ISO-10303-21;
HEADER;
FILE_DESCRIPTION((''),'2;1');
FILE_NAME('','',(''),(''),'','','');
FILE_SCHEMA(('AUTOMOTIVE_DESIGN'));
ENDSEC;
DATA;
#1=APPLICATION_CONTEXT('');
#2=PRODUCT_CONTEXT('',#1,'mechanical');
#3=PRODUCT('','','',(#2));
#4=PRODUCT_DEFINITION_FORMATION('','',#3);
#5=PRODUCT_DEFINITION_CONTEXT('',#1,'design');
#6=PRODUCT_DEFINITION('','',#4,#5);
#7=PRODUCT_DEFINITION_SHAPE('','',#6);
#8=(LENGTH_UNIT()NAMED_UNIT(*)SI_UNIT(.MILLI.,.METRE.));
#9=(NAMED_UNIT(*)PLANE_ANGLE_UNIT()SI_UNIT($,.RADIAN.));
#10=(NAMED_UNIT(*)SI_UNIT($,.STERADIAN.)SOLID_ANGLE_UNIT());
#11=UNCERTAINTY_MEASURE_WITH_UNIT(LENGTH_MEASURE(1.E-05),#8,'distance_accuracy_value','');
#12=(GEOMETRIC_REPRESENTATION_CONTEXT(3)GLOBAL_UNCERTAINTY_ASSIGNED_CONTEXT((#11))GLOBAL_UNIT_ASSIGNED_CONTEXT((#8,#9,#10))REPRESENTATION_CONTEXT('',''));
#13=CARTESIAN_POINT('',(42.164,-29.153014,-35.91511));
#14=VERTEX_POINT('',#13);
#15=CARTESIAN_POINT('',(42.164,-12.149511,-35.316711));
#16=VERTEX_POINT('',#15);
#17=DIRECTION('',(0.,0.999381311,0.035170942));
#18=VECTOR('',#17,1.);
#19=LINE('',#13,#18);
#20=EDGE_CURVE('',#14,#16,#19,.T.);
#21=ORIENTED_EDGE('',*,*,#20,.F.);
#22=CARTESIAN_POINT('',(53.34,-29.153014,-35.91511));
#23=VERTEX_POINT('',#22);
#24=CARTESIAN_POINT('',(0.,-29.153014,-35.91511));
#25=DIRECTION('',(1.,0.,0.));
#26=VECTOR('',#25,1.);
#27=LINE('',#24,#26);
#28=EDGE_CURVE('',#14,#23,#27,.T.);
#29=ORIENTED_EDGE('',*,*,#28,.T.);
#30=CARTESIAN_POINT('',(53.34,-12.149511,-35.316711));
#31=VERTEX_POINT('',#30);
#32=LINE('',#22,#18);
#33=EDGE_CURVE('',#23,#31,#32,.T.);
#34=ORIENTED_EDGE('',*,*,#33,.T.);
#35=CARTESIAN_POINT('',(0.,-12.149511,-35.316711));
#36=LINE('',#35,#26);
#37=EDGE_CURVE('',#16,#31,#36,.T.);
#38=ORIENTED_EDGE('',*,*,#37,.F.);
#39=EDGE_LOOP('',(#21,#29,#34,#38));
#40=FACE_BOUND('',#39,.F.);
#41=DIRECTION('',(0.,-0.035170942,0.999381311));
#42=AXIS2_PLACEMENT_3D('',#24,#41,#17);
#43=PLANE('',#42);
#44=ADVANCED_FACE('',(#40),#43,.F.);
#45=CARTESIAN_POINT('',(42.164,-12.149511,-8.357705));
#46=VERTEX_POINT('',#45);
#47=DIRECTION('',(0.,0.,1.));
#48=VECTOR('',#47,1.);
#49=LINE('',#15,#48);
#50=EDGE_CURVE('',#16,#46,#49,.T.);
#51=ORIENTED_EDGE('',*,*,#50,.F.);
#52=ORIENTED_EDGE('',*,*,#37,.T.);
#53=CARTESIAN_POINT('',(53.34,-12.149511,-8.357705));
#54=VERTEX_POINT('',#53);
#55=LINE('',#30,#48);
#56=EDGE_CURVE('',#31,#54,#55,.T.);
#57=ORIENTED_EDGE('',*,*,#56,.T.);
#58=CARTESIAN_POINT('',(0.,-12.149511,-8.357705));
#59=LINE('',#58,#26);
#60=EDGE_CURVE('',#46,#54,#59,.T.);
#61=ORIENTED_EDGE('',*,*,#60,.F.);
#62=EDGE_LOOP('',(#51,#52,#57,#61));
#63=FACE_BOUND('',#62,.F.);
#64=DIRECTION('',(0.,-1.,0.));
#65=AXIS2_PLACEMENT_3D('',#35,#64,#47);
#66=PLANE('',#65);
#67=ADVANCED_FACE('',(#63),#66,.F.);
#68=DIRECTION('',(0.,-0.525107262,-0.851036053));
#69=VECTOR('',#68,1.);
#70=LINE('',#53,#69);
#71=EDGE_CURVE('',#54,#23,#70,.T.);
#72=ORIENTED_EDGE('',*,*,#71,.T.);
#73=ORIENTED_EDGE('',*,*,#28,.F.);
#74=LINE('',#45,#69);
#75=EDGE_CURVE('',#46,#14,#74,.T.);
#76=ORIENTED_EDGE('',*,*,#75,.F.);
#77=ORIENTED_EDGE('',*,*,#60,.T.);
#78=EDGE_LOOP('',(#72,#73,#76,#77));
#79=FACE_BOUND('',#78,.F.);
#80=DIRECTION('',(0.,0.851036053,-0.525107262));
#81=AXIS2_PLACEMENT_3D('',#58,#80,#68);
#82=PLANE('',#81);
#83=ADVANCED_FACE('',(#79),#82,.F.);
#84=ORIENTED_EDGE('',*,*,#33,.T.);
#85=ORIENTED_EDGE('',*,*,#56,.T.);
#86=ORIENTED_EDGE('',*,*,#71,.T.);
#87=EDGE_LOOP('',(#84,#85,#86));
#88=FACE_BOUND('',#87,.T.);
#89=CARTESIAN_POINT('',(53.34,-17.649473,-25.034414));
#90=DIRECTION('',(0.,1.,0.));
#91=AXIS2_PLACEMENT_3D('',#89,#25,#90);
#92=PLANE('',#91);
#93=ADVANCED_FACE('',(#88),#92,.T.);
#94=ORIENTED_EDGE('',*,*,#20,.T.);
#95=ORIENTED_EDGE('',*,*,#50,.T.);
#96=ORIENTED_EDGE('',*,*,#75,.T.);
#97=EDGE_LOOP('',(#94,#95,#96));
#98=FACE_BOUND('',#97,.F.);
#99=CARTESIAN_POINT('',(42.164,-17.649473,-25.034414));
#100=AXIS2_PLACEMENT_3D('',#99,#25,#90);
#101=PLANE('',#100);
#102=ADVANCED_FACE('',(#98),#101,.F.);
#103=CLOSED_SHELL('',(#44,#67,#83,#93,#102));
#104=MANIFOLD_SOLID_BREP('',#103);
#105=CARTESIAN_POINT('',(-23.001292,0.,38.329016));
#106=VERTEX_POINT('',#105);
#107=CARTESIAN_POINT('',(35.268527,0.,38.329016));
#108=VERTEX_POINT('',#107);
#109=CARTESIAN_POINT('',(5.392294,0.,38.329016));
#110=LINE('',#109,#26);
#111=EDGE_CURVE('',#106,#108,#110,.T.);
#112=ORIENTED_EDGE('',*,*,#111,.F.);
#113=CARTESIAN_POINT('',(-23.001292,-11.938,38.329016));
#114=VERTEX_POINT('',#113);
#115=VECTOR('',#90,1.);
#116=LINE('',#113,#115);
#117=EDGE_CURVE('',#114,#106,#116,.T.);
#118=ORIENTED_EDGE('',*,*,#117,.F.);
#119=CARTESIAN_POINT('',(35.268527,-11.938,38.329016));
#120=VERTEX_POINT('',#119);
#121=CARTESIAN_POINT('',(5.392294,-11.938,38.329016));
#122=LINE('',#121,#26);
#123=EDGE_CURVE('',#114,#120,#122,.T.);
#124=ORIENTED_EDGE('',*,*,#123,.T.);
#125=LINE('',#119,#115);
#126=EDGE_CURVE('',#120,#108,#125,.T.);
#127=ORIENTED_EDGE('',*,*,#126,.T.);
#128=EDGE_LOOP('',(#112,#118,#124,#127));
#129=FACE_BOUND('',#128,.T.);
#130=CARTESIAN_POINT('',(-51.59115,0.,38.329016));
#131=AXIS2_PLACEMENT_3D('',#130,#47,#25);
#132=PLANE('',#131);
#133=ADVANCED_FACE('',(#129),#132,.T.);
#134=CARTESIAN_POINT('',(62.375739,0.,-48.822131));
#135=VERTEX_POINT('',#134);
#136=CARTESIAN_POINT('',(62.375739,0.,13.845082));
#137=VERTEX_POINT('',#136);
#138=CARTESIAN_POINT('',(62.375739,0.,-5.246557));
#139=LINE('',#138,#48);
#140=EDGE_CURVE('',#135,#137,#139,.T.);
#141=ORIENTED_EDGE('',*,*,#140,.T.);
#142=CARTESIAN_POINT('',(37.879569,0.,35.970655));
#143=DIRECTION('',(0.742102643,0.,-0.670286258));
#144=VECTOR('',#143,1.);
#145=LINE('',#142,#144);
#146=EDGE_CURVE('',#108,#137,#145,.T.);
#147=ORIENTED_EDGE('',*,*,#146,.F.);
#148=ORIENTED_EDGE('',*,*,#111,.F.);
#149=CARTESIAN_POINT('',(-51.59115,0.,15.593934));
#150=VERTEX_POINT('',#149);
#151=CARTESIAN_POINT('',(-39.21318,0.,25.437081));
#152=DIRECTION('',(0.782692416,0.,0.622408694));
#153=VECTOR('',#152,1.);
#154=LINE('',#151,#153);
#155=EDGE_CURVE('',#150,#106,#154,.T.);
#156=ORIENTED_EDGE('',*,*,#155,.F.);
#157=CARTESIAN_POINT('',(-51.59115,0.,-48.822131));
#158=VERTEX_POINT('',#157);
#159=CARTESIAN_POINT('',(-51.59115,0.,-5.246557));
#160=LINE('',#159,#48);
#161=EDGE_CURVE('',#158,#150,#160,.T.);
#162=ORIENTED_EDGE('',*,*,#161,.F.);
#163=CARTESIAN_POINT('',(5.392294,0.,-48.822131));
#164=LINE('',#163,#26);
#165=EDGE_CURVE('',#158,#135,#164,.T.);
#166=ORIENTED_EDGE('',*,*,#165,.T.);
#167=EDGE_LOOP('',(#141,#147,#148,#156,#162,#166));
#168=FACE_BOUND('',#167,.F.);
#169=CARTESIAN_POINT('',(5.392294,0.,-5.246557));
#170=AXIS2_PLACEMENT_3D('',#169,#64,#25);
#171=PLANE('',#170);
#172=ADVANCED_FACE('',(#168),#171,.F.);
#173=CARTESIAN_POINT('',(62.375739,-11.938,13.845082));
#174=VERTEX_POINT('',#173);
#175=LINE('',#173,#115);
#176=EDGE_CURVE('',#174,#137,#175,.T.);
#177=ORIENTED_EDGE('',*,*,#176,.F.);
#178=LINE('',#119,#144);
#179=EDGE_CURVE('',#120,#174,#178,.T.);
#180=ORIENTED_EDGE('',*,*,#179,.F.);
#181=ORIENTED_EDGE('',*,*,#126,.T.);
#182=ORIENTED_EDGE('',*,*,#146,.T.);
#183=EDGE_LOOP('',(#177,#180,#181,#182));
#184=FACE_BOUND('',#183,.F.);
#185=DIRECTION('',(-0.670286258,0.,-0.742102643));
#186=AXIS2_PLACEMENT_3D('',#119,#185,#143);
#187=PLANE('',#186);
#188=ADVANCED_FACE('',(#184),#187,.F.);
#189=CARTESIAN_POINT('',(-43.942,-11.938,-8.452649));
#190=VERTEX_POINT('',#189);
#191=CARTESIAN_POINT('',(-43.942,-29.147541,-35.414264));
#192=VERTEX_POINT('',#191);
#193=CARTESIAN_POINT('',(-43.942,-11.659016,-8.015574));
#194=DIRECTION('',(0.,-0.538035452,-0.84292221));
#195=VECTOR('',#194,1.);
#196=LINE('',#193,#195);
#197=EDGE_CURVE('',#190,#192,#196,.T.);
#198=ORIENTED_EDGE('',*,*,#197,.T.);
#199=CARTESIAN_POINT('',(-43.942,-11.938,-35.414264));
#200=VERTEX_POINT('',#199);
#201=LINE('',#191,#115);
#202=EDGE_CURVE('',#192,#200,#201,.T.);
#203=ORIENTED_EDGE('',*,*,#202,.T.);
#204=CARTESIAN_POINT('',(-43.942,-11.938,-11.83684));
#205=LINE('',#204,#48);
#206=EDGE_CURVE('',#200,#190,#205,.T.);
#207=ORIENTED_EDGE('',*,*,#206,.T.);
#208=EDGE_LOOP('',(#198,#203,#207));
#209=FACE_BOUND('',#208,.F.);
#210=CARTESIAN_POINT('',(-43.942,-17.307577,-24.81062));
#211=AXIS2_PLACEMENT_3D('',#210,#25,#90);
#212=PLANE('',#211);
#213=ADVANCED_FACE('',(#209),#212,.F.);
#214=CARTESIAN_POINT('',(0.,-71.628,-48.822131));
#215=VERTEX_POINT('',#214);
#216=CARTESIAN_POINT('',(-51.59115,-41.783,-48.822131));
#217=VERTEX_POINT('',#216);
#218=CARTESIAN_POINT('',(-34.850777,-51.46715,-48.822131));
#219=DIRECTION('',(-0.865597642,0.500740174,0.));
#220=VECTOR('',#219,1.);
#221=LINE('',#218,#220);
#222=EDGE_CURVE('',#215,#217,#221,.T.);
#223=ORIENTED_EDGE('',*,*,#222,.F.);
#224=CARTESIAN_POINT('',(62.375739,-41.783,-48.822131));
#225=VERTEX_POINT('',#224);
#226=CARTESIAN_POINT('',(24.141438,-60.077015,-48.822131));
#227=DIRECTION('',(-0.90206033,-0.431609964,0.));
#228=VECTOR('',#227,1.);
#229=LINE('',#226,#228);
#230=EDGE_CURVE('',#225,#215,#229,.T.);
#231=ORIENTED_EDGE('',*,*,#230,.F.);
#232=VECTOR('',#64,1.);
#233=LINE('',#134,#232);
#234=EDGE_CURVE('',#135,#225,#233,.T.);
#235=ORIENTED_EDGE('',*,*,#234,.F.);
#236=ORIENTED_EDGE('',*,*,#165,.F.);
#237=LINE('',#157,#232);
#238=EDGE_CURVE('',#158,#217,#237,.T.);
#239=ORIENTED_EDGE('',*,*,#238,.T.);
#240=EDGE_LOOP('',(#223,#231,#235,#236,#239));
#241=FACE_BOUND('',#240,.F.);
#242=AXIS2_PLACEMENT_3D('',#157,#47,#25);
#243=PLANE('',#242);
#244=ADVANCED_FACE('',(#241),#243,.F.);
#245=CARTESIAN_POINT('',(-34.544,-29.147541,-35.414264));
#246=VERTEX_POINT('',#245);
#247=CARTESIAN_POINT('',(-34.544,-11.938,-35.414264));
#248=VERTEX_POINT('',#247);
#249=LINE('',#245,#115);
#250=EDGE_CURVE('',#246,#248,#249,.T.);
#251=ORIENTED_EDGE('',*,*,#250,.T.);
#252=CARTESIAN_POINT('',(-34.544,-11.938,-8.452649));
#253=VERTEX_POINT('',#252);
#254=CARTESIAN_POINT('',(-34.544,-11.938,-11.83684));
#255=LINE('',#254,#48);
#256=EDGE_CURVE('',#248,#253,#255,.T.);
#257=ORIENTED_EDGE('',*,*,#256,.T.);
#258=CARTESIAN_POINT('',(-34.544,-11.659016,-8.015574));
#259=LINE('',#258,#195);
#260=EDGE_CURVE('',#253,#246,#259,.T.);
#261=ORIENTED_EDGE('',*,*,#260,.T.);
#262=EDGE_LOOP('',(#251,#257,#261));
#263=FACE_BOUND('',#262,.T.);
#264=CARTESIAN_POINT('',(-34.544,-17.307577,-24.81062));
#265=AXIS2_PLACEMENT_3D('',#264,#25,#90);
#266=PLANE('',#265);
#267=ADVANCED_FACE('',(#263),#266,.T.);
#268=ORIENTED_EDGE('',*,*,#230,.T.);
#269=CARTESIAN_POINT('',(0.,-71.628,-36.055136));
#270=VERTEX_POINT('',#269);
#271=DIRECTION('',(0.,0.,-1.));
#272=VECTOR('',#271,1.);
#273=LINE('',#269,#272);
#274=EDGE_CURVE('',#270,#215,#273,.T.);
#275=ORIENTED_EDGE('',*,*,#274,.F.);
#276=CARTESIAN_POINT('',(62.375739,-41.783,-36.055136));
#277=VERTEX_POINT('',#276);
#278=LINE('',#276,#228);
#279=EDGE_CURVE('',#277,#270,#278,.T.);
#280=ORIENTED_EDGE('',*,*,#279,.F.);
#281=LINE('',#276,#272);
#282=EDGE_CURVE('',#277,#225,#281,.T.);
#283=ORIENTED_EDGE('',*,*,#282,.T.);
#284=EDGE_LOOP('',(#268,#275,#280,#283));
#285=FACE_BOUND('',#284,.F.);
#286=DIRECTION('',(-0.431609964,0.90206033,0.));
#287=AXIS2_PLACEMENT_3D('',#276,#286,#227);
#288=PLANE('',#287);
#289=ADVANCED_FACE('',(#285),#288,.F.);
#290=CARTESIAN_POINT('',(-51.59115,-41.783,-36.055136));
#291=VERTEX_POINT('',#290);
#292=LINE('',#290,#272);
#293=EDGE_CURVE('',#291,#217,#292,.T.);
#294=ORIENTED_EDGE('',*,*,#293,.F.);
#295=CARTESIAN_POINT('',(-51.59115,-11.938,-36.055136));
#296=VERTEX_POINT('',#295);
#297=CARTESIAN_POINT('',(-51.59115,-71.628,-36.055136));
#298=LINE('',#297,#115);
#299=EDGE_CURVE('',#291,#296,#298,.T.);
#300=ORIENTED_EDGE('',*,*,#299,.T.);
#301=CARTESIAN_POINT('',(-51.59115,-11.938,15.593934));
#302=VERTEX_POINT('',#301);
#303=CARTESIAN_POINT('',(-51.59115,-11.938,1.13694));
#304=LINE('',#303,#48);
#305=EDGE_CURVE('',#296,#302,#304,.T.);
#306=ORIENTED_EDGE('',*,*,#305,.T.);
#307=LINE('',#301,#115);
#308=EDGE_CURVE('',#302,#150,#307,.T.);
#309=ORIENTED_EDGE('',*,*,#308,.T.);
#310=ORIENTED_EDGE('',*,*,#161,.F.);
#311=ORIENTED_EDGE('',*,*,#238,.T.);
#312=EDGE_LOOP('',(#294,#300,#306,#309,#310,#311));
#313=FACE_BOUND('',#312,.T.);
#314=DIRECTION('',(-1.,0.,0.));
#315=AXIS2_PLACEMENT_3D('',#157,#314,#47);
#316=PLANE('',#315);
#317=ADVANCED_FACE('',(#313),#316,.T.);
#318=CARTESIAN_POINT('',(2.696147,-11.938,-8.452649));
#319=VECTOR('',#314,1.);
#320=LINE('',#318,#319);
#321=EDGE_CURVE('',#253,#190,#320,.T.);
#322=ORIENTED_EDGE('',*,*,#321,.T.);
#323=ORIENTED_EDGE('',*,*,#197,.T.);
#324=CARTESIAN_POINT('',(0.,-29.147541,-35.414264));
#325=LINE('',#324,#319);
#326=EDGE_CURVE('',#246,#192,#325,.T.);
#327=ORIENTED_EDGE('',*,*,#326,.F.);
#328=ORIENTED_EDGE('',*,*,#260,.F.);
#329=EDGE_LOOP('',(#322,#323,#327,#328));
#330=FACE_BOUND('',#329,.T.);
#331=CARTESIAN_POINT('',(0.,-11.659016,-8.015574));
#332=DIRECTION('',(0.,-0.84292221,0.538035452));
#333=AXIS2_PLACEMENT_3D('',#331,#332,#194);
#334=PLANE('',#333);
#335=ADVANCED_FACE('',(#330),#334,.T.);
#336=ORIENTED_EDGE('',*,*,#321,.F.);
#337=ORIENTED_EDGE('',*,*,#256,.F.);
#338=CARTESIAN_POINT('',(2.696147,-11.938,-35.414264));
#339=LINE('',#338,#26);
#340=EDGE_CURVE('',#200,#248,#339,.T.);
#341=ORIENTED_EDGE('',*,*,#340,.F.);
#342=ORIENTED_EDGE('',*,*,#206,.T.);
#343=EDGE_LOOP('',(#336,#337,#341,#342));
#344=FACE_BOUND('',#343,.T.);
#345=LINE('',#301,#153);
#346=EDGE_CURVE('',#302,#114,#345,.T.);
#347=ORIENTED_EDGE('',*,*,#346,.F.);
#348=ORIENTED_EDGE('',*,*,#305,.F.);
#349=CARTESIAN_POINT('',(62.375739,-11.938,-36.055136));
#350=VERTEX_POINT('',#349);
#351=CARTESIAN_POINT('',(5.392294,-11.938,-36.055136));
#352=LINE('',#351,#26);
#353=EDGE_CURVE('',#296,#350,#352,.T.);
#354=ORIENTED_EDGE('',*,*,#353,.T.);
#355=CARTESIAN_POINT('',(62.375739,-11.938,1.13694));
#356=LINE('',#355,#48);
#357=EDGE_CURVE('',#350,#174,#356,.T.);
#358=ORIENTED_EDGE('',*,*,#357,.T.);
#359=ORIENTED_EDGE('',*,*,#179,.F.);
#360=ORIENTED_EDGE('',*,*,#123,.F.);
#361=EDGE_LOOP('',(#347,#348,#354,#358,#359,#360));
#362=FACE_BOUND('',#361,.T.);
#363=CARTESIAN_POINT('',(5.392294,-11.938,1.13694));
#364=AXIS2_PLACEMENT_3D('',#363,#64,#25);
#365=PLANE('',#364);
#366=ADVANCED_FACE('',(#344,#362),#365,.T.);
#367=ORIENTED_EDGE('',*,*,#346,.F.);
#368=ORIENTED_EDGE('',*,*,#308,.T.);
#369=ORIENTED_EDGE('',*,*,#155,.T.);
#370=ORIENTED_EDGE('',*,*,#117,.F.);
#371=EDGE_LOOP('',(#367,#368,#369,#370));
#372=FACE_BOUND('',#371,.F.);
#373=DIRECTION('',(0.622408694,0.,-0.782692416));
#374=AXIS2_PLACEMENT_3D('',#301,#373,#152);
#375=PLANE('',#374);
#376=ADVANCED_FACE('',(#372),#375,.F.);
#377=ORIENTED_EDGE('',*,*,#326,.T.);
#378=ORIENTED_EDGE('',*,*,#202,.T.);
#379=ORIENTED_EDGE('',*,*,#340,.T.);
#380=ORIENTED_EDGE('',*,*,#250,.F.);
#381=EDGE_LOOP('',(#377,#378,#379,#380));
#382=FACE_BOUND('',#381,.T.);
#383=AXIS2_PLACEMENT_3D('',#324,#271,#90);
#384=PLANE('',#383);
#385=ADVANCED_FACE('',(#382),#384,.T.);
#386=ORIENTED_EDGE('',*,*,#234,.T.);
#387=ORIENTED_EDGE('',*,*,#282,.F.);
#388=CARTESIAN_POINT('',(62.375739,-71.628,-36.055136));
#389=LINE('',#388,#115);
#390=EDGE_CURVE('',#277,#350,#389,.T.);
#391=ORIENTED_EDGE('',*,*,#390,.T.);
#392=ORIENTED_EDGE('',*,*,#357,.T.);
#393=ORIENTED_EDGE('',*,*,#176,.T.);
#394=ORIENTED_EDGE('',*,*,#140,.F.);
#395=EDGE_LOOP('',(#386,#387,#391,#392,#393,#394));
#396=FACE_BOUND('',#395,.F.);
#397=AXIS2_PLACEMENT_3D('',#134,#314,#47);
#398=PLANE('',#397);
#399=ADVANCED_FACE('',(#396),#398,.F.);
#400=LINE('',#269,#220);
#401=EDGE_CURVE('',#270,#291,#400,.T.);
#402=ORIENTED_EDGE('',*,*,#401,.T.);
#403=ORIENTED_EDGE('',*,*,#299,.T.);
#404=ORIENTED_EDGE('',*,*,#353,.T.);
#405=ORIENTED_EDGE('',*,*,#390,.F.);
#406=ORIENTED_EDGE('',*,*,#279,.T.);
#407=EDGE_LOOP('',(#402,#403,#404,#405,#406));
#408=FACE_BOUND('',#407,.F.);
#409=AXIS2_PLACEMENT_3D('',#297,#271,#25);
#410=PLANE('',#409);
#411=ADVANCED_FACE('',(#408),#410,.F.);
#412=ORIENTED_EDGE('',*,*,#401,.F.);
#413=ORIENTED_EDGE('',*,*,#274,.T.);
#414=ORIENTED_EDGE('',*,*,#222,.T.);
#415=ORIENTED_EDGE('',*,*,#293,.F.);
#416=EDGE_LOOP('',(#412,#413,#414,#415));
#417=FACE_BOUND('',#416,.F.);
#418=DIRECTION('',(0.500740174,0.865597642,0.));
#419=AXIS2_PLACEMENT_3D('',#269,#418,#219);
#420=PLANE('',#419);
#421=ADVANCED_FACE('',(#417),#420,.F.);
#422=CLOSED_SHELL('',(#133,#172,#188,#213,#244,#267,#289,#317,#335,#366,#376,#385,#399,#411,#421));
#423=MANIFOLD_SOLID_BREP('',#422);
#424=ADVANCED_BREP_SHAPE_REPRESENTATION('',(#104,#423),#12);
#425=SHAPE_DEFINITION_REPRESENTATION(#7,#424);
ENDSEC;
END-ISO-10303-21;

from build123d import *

# Parameters (mm, degrees)
F0_W      = 113.9668896794
F0_H      = 87.1511474252
F1_DEPTH  = 71.628
F2_W      = 113.9668896794
F2_H      = 74.3841528893
F3_DEPTH  = 59.69
F5_DEPTH  = 25.4
F7_DEPTH  = 25.4
F9_DEPTH  = 53.34
F10_DEPTH = 42.164
F12_DEPTH = 43.942
F13_DEPTH = 34.544


with BuildPart() as f1:
    # F0 (on Front) → F1 (new body)
    with BuildSketch(Plane.XZ):
        with Locations((5.3922943771, -5.2465572953)):
            Rectangle(F0_W, F0_H)
    extrude(amount=F1_DEPTH)

    # F2 (on face) → F3 (cut)
    with BuildSketch(Plane.XZ.offset(71.628)):
        with Locations((5.3922943771, 1.1369399726)):
            Rectangle(F2_W, F2_H)
    extrude(amount=-F3_DEPTH, mode=Mode.SUBTRACT)

    # F4 (on face) → F5 (cut)
    with BuildSketch(Plane.XZ.offset(11.938)):
        Polygon((-51.5911504626, 15.5939338729), (-23.0012916318, 38.3290164173), (-51.5911504626, 38.3290164173), align=None)
        Polygon((62.3757392168, 38.3290164173), (35.2685265243, 38.3290164173), (62.3757392168, 13.8450823724), align=None)
    extrude(amount=-F5_DEPTH, mode=Mode.SUBTRACT)

    # F6 (on face) → F7 (cut)
    with BuildSketch(Plane.XY.offset(-36.055136472)):
        Polygon((0, -71.628), (-51.5911504626, -41.783), (-51.5911504626, -71.628), align=None)
        Polygon((62.3757392168, -41.783), (0, -71.628), (62.3757392168, -71.628), align=None)
    extrude(amount=-F7_DEPTH, mode=Mode.SUBTRACT)

    # F11 (on Right) → F12 (join)
    with BuildSketch(Plane.YZ):
        Polygon((-11.6590159014, -8.0155739561), (-29.1475411505, -35.4142636061), (-11.6590159014, -35.4142636061), align=None)
    extrude(amount=-F12_DEPTH)

    # F13 (cut): a face of the model
    f13_faces = [f1.faces().sort_by_distance(p)[0] for p in [
        (0, -17.6745137168, -26.4270587525),
    ]]
    extrude(f13_faces, amount=-F13_DEPTH, mode=Mode.SUBTRACT)


with BuildPart() as f9:
    # F8 (on Right) → F9 (new body)
    with BuildSketch(Plane.YZ):
        Polygon((-29.1530136019, -35.9151102602), (-12.1495109051, -35.3167108349), (-12.1495109051, -8.3577046171), align=None)
    extrude(amount=F9_DEPTH)

    # F10 (cut): a face of the model
    f10_faces = [f9.faces().sort_by_distance(p)[0] for p in [
        (0, -17.8173451374, -26.5298419041),
    ]]
    extrude(f10_faces, amount=-F10_DEPTH, mode=Mode.SUBTRACT)


solid = Compound([f1.part, f9.part])
